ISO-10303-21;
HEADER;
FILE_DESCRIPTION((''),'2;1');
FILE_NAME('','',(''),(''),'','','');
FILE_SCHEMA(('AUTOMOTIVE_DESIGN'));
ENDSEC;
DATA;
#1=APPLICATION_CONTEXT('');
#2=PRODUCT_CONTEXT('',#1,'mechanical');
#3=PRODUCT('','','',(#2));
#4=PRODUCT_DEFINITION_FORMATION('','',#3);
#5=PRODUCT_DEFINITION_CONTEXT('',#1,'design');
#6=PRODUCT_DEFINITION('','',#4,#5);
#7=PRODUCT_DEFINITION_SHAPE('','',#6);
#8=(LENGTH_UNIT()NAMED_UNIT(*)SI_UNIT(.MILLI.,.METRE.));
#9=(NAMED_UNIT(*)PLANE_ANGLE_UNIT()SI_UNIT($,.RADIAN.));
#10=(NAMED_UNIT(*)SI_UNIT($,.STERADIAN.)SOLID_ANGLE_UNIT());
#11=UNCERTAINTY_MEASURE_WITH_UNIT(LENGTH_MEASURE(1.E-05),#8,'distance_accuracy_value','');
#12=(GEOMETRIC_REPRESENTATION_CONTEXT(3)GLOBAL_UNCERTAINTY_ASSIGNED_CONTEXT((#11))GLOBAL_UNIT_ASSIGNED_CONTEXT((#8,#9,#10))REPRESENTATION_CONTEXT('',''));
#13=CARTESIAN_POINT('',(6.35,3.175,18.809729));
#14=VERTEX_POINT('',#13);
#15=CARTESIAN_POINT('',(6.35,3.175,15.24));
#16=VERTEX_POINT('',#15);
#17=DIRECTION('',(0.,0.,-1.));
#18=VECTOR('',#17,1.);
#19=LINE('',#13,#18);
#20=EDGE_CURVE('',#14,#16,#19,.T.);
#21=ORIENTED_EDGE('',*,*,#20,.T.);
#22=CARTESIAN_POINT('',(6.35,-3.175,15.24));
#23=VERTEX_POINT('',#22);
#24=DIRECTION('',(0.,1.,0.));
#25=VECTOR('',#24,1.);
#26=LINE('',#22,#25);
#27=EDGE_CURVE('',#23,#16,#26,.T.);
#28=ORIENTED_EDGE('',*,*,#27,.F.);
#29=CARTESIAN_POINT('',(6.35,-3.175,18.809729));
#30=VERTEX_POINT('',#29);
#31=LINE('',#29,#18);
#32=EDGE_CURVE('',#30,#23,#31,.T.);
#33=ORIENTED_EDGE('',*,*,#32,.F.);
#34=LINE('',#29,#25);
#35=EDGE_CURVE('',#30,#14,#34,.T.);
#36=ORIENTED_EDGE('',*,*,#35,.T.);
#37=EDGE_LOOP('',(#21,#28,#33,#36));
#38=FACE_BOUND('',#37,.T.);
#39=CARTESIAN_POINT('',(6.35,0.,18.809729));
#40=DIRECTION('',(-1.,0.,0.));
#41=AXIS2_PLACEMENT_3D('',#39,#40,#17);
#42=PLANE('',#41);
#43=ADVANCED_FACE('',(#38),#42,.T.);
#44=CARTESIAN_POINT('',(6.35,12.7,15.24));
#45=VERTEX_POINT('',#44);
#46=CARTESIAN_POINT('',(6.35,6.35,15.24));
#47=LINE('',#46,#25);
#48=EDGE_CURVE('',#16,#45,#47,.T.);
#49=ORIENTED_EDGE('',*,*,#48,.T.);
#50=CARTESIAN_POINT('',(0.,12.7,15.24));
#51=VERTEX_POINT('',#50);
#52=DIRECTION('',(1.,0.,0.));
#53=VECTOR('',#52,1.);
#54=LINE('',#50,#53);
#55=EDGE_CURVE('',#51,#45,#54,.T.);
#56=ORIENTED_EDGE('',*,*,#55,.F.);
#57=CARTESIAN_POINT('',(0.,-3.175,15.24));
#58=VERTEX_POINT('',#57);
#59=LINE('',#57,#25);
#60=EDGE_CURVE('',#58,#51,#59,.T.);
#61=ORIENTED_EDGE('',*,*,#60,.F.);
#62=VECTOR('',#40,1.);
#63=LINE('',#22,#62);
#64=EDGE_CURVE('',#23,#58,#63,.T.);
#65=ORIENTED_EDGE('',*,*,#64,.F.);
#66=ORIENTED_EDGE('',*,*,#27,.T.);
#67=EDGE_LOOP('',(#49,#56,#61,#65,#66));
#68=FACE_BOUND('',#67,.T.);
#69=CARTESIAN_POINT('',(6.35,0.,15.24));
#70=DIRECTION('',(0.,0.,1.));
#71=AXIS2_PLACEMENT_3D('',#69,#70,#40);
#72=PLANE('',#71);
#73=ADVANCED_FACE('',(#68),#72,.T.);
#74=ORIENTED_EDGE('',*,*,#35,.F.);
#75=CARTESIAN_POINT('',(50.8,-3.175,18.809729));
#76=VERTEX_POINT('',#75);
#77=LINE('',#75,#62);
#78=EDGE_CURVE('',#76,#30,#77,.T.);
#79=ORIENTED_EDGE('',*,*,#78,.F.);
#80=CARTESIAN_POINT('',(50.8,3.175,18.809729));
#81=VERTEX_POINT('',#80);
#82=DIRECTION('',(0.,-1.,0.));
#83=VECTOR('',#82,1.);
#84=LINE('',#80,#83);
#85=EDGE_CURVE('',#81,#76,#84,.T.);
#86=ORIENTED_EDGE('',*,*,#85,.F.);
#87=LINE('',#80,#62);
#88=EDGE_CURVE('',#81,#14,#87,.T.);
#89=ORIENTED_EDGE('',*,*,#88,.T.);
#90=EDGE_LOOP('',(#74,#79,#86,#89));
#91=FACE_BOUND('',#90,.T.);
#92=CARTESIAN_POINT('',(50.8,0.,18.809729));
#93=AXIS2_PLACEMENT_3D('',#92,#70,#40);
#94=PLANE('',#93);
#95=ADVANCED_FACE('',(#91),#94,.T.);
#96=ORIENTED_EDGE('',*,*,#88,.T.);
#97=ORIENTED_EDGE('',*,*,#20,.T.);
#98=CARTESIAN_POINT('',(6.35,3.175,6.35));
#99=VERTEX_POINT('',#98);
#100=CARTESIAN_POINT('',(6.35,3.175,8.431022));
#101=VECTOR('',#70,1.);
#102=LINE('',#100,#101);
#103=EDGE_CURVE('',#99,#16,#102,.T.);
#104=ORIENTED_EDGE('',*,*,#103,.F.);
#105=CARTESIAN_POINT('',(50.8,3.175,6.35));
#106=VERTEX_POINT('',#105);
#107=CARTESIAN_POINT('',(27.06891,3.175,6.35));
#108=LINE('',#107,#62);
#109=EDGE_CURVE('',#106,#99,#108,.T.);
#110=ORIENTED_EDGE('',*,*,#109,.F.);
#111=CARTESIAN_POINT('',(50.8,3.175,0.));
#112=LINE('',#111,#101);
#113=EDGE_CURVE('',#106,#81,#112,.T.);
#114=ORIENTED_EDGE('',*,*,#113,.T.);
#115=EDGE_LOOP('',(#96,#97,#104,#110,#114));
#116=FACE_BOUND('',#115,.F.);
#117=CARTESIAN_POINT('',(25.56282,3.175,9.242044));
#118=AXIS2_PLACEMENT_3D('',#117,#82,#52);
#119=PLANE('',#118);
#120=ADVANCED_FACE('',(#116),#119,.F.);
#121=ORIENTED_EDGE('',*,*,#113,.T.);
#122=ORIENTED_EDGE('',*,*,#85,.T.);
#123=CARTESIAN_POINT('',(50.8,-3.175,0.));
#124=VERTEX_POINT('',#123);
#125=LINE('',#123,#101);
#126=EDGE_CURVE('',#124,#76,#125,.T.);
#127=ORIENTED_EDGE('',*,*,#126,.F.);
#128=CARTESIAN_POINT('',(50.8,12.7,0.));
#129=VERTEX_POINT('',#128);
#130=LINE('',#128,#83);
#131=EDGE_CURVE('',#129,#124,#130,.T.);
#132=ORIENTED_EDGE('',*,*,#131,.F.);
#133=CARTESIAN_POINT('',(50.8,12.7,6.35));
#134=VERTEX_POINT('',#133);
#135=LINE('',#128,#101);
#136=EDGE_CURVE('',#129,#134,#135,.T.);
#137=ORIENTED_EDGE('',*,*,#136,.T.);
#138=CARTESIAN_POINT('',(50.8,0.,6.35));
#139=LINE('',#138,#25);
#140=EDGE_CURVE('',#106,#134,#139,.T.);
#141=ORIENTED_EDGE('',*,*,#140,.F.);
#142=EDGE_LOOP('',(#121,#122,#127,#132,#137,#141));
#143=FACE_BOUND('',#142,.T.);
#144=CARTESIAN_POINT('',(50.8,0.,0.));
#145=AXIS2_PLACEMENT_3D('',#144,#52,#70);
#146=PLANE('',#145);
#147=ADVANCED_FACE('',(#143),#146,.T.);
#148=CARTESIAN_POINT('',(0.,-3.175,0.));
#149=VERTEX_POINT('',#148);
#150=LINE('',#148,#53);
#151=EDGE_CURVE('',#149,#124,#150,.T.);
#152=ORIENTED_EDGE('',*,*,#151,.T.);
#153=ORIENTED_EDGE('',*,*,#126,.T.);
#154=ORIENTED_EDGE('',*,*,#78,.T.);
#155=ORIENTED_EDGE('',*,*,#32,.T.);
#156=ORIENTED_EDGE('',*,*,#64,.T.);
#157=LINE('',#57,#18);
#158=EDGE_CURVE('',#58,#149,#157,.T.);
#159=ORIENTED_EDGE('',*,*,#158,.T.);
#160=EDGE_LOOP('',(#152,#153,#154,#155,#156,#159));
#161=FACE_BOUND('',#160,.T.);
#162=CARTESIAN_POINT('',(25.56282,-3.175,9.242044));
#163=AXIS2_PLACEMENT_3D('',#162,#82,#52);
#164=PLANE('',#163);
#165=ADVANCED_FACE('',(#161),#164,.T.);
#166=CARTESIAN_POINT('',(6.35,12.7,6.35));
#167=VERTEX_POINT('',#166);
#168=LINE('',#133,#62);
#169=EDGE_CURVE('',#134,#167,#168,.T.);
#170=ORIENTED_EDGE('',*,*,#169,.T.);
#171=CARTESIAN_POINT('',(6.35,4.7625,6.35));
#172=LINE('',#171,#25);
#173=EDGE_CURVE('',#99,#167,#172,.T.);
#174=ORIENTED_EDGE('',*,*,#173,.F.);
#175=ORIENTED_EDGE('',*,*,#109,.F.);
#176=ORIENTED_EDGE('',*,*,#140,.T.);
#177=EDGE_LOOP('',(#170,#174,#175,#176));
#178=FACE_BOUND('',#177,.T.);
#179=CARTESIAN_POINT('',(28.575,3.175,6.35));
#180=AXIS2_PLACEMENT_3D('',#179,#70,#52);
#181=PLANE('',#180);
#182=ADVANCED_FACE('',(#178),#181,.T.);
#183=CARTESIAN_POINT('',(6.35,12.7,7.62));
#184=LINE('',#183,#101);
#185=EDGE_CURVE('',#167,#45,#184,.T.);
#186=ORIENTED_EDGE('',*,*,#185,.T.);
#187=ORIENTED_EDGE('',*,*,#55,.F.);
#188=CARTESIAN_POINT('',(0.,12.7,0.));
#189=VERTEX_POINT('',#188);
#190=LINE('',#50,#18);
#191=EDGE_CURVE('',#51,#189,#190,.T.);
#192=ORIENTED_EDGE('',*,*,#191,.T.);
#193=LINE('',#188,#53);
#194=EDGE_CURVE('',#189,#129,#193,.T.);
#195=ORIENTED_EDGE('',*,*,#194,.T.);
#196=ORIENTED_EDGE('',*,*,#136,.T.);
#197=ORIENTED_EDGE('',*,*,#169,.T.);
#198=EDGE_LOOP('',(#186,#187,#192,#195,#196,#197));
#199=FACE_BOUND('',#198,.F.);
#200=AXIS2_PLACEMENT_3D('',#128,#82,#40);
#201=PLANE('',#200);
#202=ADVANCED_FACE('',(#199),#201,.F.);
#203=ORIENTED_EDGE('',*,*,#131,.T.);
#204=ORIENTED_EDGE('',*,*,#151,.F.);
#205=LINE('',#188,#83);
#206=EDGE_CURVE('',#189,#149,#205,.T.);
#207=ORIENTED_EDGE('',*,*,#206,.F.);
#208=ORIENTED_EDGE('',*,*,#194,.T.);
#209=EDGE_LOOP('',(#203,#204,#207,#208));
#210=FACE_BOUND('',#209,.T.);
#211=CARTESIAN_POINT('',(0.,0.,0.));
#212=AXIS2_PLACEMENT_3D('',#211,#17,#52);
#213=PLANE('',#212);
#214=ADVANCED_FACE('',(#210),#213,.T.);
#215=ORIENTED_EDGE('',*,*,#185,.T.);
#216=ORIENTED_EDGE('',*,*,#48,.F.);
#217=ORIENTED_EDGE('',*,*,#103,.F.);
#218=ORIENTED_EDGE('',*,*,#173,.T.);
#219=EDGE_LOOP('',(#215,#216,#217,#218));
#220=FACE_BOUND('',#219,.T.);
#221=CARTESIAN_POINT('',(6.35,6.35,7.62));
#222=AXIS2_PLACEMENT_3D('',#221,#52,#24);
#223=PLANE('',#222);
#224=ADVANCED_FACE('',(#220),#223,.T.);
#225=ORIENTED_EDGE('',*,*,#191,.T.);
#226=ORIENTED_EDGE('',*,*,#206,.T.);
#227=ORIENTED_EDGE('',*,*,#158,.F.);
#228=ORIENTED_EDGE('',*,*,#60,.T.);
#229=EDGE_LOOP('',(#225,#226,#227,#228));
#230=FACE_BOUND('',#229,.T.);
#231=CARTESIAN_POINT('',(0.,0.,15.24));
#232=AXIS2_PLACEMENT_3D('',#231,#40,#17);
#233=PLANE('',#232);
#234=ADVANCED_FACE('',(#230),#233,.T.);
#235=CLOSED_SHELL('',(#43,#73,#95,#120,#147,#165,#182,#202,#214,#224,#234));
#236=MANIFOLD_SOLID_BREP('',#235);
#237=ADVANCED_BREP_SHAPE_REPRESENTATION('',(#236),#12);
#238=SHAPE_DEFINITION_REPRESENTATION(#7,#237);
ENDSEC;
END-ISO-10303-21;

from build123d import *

# Parameters (mm, degrees)
F2_DEPTH = 3.175
F0_W     = 44.45
F0_H     = 6.35
F4_DEPTH = 6.35
F3_W     = 12.7
F3_H     = 15.24
F5_DEPTH = 6.35


with BuildPart() as f2:
    # F1 (on Front) → F2 (new body, symmetric)
    with BuildSketch(Plane.XZ):
        Polygon((0, 15.24), (0, 0), (50.8, 0), (50.8, 6.109729), (50.8, 18.809729), (6.35, 18.809729), (6.35, 15.24), align=None)
    extrude(amount=F2_DEPTH, both=True)

    # F0 (on Top) → F4 (join)
    with BuildSketch(Plane.XY):
        with Locations((28.575, 3.175)):
            Rectangle(F0_W, F0_H)
        Polygon((0, 0), (6.35, 0), (6.35, 6.35), (6.35, 12.7), (0, 12.7), align=None)
        with Locations((28.575, 9.525)):
            Rectangle(F0_W, F0_H)
    extrude(amount=F4_DEPTH)

    # F3 (on Right) → F5 (join)
    with BuildSketch(Plane.YZ):
        with Locations((6.35, 7.62)):
            Rectangle(F3_W, F3_H)
    extrude(amount=F5_DEPTH)


solid = f2.part
